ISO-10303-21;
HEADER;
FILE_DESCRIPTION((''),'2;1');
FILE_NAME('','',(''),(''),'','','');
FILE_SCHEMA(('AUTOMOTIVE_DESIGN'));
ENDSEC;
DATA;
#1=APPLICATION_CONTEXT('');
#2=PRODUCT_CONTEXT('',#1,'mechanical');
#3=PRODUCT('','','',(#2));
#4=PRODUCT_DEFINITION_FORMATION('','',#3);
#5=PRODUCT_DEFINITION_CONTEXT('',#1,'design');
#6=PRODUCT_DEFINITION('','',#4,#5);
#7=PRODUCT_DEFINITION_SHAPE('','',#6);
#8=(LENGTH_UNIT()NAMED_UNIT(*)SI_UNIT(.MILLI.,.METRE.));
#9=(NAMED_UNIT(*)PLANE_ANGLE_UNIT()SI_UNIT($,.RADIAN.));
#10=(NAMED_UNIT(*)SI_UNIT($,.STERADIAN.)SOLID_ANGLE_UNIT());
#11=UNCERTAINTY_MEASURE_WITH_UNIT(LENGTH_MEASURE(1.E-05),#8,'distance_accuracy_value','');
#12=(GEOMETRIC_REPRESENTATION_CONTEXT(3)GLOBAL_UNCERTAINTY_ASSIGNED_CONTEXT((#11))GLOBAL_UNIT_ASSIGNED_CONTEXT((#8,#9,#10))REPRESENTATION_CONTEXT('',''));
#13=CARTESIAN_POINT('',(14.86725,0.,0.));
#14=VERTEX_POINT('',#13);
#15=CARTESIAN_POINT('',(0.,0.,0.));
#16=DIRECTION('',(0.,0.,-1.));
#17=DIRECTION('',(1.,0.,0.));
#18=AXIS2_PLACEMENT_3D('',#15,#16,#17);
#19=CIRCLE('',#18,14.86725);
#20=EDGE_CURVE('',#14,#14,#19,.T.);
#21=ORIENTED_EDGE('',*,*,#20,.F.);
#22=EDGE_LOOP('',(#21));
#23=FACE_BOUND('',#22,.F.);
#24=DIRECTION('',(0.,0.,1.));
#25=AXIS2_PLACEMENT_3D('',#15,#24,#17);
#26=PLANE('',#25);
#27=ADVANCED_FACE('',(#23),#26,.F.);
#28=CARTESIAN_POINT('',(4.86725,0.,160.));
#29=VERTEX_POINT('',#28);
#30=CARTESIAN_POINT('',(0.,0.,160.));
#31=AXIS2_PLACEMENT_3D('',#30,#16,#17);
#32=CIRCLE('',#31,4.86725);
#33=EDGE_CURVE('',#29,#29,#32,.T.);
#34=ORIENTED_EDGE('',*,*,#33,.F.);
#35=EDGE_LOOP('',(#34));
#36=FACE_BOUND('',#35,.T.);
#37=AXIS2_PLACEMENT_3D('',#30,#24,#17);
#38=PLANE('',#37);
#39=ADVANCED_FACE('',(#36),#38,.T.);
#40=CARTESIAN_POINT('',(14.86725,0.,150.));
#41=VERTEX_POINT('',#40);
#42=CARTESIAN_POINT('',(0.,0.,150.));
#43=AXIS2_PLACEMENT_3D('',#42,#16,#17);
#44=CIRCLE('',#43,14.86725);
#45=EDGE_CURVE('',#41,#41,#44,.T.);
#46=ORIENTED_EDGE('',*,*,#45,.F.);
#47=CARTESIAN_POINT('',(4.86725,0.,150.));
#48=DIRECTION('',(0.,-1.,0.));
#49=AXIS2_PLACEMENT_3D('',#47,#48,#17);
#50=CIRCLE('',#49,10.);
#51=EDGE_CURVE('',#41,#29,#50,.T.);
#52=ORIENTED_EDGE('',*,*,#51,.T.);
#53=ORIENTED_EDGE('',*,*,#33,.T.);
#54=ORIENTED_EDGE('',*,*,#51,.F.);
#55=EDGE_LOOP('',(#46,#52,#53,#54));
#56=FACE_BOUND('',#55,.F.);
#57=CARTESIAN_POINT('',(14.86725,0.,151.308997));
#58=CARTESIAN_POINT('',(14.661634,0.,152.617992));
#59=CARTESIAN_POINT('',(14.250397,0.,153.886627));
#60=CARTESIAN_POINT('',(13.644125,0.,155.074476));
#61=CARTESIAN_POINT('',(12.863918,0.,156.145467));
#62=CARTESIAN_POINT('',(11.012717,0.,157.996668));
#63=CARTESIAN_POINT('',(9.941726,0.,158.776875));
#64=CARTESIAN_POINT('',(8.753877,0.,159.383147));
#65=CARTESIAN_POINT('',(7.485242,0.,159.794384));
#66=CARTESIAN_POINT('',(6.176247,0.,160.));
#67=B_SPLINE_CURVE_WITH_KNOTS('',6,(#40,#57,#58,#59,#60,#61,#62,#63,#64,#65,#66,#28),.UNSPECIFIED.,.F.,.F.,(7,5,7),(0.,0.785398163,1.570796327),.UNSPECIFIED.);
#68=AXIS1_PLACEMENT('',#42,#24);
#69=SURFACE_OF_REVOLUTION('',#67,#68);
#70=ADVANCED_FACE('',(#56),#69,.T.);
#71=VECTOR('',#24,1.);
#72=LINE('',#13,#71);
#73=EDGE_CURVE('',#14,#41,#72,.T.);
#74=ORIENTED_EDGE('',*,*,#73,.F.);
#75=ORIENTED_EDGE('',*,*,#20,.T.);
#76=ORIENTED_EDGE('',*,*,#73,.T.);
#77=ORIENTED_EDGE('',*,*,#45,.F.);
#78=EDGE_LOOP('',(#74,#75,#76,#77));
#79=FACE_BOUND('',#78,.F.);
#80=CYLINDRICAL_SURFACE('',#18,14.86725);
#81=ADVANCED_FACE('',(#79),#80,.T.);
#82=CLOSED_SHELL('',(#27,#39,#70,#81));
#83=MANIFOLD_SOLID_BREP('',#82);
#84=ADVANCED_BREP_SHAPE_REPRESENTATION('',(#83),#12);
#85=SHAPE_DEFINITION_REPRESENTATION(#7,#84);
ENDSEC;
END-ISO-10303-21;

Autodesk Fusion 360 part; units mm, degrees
sketch "Sketch1" plane through (0, 0, 0) normal (0, 0, 1) x (1, 0, 0)
  circle A0 centre (0, 0) radius 15
  dimension "d1" = 30
extrude "Extrude1" add sketch "Sketch1" along normal blind 160
thread "Thread1" "ISO Metric profile 30.0 M30x3.5 M30x3.5 6g" major diameter 29.7345 minor diameter 25.732 pitch 3.5 angle 60 resizes the face on face at (14.9814, -0.7477, 106.6667)
fillet "Fillet1" radius 10 1 faces at (-1.5399, 1.0022, 160)
